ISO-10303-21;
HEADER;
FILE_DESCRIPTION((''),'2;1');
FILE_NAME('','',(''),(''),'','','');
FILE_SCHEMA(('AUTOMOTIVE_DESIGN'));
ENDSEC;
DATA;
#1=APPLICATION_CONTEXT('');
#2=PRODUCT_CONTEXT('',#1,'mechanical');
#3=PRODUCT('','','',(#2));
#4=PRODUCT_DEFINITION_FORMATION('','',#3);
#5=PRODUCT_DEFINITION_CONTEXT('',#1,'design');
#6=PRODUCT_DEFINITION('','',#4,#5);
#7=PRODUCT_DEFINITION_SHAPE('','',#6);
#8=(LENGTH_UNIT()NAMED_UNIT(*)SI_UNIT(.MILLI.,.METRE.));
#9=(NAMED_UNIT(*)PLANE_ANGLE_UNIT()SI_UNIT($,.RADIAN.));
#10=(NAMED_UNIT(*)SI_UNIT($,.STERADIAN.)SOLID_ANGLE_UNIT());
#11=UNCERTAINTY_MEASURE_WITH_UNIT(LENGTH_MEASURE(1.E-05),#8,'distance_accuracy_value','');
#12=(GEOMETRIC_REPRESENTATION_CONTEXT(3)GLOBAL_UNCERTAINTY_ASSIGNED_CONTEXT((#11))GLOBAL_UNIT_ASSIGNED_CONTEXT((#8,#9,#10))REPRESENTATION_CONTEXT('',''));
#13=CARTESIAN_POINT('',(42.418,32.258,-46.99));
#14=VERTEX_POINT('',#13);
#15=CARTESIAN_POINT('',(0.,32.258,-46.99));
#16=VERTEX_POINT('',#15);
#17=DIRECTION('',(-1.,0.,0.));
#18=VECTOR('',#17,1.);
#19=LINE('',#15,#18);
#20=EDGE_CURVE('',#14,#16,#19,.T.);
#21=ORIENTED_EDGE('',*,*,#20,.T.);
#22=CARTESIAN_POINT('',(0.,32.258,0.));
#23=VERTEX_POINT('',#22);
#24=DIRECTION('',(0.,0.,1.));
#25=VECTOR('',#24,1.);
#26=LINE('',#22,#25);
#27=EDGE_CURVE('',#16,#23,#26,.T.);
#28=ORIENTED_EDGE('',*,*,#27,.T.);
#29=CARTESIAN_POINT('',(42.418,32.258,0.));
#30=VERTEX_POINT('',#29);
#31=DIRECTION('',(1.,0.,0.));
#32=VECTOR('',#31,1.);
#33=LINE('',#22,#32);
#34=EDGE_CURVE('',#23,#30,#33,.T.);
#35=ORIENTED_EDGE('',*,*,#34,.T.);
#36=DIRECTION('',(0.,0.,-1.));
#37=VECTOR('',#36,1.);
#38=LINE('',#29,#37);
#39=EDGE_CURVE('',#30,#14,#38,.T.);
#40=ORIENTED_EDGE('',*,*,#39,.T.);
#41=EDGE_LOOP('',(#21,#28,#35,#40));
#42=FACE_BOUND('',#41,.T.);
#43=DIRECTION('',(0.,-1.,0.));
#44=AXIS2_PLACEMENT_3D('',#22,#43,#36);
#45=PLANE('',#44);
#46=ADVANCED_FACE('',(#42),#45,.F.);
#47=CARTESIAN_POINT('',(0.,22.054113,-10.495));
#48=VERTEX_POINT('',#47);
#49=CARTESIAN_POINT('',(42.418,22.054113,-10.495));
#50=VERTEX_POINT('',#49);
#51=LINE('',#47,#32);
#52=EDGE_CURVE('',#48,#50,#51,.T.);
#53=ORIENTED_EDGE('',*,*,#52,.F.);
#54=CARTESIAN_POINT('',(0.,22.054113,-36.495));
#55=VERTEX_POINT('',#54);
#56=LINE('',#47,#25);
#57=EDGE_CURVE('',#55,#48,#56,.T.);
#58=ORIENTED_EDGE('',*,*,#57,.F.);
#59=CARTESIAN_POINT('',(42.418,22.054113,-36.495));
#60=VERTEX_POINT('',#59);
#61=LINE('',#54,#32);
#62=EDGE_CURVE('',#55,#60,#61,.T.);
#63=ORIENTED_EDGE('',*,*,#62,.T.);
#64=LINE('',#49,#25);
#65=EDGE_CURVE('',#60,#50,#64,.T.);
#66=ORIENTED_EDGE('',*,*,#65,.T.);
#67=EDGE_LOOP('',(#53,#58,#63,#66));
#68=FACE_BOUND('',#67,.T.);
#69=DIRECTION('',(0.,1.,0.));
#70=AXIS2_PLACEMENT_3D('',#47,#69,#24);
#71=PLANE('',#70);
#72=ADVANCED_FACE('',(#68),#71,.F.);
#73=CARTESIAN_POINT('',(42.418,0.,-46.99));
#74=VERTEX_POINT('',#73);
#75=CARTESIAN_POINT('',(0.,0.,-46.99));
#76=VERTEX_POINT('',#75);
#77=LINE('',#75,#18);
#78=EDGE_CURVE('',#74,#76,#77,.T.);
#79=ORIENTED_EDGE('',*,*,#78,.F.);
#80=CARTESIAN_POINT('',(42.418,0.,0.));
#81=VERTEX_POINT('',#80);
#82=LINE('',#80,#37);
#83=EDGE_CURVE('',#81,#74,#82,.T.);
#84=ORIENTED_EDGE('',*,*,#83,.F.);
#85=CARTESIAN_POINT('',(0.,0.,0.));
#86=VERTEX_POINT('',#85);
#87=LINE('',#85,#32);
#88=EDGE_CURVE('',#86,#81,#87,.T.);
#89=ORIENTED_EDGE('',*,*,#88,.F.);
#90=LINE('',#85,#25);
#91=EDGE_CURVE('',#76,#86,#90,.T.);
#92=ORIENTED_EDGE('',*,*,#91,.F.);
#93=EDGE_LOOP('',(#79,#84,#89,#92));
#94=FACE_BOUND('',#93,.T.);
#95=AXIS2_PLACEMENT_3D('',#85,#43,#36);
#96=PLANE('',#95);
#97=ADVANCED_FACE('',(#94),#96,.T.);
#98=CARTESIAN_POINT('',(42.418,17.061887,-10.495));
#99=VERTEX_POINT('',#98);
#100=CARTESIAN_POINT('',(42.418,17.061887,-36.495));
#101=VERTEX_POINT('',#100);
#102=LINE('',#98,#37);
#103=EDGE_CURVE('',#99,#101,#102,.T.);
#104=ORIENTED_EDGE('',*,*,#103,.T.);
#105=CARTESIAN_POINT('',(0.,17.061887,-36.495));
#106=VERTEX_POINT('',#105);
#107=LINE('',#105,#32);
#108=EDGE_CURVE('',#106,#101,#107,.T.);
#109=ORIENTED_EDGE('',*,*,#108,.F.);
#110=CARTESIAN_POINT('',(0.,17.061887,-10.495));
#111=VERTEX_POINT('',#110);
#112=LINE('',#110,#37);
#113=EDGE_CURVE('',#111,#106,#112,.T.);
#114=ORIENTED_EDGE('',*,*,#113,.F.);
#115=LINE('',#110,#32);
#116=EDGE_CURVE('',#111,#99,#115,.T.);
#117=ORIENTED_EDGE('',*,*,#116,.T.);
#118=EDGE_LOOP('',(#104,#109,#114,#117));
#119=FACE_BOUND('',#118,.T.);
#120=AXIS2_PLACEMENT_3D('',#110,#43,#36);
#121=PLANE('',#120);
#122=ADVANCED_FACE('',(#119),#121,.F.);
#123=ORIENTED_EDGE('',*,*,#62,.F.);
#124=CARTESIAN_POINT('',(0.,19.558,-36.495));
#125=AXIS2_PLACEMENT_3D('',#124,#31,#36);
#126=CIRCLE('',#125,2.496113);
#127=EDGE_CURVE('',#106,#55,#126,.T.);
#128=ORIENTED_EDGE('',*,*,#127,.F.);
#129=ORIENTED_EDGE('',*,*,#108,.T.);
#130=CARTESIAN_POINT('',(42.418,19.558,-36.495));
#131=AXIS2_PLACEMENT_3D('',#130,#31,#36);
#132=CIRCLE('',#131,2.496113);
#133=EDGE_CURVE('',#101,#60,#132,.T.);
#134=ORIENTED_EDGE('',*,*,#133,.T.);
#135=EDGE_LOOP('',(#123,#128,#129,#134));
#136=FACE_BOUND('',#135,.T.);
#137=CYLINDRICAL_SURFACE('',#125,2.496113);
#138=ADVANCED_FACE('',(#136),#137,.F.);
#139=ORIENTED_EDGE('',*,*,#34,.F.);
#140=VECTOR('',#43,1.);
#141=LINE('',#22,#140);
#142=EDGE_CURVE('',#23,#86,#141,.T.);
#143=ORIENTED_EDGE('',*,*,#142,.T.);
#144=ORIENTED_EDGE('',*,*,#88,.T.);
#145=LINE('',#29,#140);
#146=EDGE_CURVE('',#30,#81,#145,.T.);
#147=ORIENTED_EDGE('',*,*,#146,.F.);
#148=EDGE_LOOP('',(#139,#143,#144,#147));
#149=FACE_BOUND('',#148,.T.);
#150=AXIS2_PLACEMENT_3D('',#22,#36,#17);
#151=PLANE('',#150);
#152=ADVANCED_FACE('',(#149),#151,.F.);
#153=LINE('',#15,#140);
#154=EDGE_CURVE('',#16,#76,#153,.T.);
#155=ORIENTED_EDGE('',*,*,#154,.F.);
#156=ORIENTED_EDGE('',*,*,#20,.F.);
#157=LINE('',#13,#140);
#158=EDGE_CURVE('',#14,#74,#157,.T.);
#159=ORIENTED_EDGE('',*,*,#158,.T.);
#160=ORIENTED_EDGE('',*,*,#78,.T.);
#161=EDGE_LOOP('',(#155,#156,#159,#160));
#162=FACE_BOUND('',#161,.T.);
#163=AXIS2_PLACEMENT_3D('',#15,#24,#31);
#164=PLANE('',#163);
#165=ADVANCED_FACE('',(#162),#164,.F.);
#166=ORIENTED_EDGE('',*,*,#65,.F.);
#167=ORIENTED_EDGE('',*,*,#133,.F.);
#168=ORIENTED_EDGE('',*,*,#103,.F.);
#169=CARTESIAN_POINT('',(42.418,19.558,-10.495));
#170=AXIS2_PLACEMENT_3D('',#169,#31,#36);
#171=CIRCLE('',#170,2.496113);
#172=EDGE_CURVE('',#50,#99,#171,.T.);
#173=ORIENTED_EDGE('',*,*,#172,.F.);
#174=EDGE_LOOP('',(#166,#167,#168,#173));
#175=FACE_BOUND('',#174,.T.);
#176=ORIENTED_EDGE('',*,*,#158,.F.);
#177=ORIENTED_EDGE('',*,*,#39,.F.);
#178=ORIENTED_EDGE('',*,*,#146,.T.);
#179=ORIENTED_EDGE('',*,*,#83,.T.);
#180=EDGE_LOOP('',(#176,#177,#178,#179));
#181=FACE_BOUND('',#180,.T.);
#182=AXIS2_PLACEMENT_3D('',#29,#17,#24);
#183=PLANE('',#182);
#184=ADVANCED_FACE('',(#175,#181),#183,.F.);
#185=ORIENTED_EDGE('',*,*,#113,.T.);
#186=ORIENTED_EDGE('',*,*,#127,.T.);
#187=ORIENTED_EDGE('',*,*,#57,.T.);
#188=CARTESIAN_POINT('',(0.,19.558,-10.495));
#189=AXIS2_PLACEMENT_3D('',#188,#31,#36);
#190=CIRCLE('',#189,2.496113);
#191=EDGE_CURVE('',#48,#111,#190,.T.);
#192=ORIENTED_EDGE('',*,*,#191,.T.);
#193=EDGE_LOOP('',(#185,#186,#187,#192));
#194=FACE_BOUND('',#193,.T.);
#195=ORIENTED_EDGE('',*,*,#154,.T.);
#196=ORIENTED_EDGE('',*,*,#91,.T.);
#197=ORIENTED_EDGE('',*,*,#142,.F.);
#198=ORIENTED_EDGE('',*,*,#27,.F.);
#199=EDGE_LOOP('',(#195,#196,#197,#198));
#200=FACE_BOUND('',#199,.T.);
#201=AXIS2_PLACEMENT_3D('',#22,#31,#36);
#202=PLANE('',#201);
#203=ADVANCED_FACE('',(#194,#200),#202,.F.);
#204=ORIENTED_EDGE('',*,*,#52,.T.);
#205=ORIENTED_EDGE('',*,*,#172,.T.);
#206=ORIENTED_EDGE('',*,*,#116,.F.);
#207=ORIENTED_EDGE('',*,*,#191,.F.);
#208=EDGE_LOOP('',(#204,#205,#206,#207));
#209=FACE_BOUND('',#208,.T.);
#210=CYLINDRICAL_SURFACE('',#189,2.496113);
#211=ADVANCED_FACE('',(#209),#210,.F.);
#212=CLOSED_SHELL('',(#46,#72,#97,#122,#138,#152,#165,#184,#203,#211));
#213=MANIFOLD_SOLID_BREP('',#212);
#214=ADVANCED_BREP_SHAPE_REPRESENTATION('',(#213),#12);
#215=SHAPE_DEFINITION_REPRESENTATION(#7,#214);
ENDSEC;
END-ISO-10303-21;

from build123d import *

# Parameters (mm, degrees)
SKETCH1_W           = 42.418
SKETCH1_H           = 46.99
BOSS_EXTRUDE1_DEPTH = 32.258
CUT_EXTRUDE1_DEPTH  = 43.418


with BuildPart() as part:
    # Sketch1 → Boss-Extrude1 (new body)
    with BuildSketch(Plane(origin=(0, 0, 0), x_dir=(1, 0, 0), z_dir=(0, 1, 0))):
        with Locations((21.209, 23.495)):
            Rectangle(SKETCH1_W, SKETCH1_H)
    extrude(amount=BOSS_EXTRUDE1_DEPTH)

    # Sketch2 → Cut-Extrude1 (cut, through all)
    with BuildSketch(Plane(origin=(42.418, 0, 0), x_dir=(0, 0, -1), z_dir=(1, 0, 0))):
        with BuildLine():
            Line((10.495, 22.054113), (36.495, 22.054113))
            ThreePointArc((36.495, 22.054113), (38.991113, 19.558), (36.495, 17.061887))
            Line((36.495, 17.061887), (10.495, 17.061887))
            ThreePointArc((10.495, 17.061887), (7.998887, 19.558), (10.495, 22.054113))
        make_face()
    extrude(amount=-CUT_EXTRUDE1_DEPTH, mode=Mode.SUBTRACT)


solid = part.part
